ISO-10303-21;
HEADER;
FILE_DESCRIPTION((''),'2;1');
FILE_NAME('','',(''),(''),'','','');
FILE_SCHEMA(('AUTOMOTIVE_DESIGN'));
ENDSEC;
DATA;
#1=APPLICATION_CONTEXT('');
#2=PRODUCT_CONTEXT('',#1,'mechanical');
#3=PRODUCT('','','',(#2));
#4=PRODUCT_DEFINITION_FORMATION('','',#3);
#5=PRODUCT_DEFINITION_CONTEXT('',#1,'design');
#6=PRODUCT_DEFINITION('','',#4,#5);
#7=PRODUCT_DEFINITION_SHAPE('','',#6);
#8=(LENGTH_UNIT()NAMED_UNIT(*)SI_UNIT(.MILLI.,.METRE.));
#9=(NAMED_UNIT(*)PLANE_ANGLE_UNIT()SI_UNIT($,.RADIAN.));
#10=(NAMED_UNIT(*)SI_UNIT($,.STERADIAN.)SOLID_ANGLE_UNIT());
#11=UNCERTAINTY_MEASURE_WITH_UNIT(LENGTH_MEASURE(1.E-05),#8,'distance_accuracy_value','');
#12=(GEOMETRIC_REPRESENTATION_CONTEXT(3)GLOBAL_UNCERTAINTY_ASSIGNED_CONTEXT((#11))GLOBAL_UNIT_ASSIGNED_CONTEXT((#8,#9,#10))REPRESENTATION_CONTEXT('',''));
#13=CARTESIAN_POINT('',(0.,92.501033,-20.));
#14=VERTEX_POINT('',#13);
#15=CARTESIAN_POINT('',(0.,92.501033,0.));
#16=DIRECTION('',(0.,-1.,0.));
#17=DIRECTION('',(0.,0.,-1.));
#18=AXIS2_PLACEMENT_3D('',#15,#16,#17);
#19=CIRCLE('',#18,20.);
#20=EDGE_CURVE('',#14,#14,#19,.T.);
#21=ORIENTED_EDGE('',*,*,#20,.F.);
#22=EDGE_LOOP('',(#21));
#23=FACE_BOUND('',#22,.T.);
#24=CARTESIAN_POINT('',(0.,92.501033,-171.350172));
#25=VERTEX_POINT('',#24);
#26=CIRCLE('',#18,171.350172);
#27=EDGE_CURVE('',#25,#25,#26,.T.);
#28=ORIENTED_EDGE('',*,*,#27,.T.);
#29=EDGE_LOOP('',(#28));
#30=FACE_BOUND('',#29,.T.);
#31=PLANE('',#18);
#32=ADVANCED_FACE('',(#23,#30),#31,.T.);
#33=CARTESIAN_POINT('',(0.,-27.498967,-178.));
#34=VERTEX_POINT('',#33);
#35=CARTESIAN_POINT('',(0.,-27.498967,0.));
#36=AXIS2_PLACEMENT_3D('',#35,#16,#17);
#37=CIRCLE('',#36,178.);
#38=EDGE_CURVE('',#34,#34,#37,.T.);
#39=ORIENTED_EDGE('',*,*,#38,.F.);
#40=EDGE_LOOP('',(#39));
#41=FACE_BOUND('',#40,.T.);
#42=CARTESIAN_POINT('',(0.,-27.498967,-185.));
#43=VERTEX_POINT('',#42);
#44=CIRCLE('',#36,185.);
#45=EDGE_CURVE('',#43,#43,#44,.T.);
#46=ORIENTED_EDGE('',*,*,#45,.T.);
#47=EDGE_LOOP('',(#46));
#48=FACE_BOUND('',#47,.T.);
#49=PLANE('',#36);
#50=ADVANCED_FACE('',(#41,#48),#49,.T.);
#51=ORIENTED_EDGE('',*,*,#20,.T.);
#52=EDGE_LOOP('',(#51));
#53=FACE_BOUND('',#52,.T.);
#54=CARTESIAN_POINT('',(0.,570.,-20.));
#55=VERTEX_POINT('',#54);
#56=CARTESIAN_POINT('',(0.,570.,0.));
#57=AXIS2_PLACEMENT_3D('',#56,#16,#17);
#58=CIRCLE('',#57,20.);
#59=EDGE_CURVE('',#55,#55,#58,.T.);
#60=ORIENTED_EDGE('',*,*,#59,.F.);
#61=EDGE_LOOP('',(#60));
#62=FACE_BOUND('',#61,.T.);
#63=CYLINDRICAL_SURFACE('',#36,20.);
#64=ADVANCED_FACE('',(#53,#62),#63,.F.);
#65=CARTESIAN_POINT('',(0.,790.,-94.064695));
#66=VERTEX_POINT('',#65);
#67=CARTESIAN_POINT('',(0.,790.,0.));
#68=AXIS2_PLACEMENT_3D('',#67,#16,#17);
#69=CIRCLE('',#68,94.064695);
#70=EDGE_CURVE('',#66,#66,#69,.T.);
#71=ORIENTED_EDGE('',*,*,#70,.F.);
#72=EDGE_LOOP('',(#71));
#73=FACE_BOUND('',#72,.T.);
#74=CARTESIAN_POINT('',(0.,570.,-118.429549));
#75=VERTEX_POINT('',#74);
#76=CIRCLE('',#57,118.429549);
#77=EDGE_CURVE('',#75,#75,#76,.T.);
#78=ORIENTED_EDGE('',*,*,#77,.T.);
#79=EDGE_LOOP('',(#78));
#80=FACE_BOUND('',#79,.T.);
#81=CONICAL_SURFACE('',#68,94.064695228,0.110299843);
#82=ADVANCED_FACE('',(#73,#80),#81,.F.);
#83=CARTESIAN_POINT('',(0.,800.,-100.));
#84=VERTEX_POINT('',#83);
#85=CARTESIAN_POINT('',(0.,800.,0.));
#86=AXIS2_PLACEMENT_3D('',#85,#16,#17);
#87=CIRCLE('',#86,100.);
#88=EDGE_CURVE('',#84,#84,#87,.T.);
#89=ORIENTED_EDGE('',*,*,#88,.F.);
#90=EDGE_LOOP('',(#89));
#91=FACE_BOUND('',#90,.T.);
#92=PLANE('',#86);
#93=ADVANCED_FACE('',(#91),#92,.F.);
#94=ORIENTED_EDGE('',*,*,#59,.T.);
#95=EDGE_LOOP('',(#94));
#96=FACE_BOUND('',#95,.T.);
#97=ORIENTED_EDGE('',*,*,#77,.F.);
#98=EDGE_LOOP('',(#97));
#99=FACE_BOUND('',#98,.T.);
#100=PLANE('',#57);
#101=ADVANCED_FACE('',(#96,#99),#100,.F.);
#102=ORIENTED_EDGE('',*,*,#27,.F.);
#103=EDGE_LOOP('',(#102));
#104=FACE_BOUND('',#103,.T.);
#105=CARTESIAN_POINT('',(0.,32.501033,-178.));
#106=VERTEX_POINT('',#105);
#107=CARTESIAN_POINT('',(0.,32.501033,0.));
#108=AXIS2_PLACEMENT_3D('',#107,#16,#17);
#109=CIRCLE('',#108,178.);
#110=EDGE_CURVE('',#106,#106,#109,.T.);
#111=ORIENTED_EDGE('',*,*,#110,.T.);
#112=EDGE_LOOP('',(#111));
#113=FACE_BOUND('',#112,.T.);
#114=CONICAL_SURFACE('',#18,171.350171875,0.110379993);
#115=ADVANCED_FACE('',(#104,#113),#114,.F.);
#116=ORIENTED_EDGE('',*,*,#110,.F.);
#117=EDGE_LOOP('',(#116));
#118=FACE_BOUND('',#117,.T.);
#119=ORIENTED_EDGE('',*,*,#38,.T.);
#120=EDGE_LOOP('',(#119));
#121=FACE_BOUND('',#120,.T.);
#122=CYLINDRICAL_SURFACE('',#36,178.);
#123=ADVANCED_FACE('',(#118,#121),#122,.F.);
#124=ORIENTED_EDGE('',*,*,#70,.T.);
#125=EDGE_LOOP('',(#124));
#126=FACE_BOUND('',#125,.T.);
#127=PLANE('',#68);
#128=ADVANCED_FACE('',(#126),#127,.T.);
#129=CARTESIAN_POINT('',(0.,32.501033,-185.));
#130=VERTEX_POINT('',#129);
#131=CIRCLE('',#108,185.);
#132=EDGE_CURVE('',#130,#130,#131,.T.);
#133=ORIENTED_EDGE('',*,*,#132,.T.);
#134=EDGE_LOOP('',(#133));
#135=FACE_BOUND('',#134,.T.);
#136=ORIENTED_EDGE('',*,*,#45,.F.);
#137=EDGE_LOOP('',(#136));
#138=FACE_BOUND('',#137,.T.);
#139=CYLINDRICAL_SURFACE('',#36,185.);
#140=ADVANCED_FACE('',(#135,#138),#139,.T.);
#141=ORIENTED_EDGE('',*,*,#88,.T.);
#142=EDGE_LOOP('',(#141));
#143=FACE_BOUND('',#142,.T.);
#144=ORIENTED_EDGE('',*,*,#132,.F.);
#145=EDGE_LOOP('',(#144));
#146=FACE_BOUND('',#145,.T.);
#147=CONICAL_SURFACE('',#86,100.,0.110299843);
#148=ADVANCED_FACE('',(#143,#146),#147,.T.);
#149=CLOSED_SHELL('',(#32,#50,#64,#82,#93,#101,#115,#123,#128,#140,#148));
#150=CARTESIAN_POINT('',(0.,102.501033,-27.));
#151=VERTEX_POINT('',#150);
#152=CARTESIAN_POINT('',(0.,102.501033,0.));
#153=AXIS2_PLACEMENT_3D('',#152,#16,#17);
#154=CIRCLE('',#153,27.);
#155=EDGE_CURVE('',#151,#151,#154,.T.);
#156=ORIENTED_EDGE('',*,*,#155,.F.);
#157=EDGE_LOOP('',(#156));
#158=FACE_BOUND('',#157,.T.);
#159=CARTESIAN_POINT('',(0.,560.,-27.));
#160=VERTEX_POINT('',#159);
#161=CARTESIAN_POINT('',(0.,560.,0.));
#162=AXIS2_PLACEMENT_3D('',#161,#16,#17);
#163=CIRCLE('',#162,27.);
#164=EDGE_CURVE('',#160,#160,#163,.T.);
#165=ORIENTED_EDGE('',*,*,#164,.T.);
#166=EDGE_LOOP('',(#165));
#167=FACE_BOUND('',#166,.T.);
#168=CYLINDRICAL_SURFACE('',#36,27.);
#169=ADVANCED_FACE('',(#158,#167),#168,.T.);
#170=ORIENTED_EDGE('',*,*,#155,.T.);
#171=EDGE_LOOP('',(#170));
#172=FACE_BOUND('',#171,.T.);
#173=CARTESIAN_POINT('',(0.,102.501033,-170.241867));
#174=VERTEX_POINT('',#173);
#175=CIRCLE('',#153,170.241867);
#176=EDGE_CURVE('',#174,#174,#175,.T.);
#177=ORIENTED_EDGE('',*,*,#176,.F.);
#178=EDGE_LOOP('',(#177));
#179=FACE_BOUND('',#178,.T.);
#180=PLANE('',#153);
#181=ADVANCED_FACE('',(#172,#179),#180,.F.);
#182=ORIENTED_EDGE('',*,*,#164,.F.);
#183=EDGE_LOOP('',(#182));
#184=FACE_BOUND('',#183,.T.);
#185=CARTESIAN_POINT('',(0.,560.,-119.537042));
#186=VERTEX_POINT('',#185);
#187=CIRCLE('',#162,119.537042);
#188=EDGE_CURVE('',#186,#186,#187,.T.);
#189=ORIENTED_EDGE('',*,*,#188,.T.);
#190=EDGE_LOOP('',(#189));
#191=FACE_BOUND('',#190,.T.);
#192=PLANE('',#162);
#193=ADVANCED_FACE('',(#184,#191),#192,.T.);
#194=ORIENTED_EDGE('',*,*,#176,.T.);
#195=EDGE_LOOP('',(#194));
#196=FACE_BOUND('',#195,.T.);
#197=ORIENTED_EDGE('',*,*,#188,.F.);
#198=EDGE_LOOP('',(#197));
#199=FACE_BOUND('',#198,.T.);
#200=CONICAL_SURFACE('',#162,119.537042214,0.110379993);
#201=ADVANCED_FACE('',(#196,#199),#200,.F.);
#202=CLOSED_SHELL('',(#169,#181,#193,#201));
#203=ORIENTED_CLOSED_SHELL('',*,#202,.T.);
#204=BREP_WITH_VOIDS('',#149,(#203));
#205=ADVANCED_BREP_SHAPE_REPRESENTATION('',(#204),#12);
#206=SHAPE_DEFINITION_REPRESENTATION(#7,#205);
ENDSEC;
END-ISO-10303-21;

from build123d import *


with BuildPart() as part:
    # Sketch1 → Revolve1 (revolve)
    with BuildSketch(Plane.XY, mode=Mode.PRIVATE) as revolve1_sk:
        Polygon((-94.064695228, 790), (0, 790), (0, 800), (-100, 800), (-185, 32.501032947), (-185, -27.498967053), (-178, -27.498967053), (-178, 32.501032947), (-171.350171875, 92.501032947), (-20, 92.501032947), (-20, 570), (-118.429548867, 570), align=None)
        Polygon((-119.537042214, 560), (-27, 560), (-27, 102.501032947), (-170.241867187, 102.501032947), align=None, mode=Mode.SUBTRACT)
    revolve(revolve1_sk.sketch.rotate(Axis((0, -27.498967053, 0), (0, 1, 0)), 270), axis=Axis((0, -27.498967053, 0), (0, 1, 0)))


solid = part.part
